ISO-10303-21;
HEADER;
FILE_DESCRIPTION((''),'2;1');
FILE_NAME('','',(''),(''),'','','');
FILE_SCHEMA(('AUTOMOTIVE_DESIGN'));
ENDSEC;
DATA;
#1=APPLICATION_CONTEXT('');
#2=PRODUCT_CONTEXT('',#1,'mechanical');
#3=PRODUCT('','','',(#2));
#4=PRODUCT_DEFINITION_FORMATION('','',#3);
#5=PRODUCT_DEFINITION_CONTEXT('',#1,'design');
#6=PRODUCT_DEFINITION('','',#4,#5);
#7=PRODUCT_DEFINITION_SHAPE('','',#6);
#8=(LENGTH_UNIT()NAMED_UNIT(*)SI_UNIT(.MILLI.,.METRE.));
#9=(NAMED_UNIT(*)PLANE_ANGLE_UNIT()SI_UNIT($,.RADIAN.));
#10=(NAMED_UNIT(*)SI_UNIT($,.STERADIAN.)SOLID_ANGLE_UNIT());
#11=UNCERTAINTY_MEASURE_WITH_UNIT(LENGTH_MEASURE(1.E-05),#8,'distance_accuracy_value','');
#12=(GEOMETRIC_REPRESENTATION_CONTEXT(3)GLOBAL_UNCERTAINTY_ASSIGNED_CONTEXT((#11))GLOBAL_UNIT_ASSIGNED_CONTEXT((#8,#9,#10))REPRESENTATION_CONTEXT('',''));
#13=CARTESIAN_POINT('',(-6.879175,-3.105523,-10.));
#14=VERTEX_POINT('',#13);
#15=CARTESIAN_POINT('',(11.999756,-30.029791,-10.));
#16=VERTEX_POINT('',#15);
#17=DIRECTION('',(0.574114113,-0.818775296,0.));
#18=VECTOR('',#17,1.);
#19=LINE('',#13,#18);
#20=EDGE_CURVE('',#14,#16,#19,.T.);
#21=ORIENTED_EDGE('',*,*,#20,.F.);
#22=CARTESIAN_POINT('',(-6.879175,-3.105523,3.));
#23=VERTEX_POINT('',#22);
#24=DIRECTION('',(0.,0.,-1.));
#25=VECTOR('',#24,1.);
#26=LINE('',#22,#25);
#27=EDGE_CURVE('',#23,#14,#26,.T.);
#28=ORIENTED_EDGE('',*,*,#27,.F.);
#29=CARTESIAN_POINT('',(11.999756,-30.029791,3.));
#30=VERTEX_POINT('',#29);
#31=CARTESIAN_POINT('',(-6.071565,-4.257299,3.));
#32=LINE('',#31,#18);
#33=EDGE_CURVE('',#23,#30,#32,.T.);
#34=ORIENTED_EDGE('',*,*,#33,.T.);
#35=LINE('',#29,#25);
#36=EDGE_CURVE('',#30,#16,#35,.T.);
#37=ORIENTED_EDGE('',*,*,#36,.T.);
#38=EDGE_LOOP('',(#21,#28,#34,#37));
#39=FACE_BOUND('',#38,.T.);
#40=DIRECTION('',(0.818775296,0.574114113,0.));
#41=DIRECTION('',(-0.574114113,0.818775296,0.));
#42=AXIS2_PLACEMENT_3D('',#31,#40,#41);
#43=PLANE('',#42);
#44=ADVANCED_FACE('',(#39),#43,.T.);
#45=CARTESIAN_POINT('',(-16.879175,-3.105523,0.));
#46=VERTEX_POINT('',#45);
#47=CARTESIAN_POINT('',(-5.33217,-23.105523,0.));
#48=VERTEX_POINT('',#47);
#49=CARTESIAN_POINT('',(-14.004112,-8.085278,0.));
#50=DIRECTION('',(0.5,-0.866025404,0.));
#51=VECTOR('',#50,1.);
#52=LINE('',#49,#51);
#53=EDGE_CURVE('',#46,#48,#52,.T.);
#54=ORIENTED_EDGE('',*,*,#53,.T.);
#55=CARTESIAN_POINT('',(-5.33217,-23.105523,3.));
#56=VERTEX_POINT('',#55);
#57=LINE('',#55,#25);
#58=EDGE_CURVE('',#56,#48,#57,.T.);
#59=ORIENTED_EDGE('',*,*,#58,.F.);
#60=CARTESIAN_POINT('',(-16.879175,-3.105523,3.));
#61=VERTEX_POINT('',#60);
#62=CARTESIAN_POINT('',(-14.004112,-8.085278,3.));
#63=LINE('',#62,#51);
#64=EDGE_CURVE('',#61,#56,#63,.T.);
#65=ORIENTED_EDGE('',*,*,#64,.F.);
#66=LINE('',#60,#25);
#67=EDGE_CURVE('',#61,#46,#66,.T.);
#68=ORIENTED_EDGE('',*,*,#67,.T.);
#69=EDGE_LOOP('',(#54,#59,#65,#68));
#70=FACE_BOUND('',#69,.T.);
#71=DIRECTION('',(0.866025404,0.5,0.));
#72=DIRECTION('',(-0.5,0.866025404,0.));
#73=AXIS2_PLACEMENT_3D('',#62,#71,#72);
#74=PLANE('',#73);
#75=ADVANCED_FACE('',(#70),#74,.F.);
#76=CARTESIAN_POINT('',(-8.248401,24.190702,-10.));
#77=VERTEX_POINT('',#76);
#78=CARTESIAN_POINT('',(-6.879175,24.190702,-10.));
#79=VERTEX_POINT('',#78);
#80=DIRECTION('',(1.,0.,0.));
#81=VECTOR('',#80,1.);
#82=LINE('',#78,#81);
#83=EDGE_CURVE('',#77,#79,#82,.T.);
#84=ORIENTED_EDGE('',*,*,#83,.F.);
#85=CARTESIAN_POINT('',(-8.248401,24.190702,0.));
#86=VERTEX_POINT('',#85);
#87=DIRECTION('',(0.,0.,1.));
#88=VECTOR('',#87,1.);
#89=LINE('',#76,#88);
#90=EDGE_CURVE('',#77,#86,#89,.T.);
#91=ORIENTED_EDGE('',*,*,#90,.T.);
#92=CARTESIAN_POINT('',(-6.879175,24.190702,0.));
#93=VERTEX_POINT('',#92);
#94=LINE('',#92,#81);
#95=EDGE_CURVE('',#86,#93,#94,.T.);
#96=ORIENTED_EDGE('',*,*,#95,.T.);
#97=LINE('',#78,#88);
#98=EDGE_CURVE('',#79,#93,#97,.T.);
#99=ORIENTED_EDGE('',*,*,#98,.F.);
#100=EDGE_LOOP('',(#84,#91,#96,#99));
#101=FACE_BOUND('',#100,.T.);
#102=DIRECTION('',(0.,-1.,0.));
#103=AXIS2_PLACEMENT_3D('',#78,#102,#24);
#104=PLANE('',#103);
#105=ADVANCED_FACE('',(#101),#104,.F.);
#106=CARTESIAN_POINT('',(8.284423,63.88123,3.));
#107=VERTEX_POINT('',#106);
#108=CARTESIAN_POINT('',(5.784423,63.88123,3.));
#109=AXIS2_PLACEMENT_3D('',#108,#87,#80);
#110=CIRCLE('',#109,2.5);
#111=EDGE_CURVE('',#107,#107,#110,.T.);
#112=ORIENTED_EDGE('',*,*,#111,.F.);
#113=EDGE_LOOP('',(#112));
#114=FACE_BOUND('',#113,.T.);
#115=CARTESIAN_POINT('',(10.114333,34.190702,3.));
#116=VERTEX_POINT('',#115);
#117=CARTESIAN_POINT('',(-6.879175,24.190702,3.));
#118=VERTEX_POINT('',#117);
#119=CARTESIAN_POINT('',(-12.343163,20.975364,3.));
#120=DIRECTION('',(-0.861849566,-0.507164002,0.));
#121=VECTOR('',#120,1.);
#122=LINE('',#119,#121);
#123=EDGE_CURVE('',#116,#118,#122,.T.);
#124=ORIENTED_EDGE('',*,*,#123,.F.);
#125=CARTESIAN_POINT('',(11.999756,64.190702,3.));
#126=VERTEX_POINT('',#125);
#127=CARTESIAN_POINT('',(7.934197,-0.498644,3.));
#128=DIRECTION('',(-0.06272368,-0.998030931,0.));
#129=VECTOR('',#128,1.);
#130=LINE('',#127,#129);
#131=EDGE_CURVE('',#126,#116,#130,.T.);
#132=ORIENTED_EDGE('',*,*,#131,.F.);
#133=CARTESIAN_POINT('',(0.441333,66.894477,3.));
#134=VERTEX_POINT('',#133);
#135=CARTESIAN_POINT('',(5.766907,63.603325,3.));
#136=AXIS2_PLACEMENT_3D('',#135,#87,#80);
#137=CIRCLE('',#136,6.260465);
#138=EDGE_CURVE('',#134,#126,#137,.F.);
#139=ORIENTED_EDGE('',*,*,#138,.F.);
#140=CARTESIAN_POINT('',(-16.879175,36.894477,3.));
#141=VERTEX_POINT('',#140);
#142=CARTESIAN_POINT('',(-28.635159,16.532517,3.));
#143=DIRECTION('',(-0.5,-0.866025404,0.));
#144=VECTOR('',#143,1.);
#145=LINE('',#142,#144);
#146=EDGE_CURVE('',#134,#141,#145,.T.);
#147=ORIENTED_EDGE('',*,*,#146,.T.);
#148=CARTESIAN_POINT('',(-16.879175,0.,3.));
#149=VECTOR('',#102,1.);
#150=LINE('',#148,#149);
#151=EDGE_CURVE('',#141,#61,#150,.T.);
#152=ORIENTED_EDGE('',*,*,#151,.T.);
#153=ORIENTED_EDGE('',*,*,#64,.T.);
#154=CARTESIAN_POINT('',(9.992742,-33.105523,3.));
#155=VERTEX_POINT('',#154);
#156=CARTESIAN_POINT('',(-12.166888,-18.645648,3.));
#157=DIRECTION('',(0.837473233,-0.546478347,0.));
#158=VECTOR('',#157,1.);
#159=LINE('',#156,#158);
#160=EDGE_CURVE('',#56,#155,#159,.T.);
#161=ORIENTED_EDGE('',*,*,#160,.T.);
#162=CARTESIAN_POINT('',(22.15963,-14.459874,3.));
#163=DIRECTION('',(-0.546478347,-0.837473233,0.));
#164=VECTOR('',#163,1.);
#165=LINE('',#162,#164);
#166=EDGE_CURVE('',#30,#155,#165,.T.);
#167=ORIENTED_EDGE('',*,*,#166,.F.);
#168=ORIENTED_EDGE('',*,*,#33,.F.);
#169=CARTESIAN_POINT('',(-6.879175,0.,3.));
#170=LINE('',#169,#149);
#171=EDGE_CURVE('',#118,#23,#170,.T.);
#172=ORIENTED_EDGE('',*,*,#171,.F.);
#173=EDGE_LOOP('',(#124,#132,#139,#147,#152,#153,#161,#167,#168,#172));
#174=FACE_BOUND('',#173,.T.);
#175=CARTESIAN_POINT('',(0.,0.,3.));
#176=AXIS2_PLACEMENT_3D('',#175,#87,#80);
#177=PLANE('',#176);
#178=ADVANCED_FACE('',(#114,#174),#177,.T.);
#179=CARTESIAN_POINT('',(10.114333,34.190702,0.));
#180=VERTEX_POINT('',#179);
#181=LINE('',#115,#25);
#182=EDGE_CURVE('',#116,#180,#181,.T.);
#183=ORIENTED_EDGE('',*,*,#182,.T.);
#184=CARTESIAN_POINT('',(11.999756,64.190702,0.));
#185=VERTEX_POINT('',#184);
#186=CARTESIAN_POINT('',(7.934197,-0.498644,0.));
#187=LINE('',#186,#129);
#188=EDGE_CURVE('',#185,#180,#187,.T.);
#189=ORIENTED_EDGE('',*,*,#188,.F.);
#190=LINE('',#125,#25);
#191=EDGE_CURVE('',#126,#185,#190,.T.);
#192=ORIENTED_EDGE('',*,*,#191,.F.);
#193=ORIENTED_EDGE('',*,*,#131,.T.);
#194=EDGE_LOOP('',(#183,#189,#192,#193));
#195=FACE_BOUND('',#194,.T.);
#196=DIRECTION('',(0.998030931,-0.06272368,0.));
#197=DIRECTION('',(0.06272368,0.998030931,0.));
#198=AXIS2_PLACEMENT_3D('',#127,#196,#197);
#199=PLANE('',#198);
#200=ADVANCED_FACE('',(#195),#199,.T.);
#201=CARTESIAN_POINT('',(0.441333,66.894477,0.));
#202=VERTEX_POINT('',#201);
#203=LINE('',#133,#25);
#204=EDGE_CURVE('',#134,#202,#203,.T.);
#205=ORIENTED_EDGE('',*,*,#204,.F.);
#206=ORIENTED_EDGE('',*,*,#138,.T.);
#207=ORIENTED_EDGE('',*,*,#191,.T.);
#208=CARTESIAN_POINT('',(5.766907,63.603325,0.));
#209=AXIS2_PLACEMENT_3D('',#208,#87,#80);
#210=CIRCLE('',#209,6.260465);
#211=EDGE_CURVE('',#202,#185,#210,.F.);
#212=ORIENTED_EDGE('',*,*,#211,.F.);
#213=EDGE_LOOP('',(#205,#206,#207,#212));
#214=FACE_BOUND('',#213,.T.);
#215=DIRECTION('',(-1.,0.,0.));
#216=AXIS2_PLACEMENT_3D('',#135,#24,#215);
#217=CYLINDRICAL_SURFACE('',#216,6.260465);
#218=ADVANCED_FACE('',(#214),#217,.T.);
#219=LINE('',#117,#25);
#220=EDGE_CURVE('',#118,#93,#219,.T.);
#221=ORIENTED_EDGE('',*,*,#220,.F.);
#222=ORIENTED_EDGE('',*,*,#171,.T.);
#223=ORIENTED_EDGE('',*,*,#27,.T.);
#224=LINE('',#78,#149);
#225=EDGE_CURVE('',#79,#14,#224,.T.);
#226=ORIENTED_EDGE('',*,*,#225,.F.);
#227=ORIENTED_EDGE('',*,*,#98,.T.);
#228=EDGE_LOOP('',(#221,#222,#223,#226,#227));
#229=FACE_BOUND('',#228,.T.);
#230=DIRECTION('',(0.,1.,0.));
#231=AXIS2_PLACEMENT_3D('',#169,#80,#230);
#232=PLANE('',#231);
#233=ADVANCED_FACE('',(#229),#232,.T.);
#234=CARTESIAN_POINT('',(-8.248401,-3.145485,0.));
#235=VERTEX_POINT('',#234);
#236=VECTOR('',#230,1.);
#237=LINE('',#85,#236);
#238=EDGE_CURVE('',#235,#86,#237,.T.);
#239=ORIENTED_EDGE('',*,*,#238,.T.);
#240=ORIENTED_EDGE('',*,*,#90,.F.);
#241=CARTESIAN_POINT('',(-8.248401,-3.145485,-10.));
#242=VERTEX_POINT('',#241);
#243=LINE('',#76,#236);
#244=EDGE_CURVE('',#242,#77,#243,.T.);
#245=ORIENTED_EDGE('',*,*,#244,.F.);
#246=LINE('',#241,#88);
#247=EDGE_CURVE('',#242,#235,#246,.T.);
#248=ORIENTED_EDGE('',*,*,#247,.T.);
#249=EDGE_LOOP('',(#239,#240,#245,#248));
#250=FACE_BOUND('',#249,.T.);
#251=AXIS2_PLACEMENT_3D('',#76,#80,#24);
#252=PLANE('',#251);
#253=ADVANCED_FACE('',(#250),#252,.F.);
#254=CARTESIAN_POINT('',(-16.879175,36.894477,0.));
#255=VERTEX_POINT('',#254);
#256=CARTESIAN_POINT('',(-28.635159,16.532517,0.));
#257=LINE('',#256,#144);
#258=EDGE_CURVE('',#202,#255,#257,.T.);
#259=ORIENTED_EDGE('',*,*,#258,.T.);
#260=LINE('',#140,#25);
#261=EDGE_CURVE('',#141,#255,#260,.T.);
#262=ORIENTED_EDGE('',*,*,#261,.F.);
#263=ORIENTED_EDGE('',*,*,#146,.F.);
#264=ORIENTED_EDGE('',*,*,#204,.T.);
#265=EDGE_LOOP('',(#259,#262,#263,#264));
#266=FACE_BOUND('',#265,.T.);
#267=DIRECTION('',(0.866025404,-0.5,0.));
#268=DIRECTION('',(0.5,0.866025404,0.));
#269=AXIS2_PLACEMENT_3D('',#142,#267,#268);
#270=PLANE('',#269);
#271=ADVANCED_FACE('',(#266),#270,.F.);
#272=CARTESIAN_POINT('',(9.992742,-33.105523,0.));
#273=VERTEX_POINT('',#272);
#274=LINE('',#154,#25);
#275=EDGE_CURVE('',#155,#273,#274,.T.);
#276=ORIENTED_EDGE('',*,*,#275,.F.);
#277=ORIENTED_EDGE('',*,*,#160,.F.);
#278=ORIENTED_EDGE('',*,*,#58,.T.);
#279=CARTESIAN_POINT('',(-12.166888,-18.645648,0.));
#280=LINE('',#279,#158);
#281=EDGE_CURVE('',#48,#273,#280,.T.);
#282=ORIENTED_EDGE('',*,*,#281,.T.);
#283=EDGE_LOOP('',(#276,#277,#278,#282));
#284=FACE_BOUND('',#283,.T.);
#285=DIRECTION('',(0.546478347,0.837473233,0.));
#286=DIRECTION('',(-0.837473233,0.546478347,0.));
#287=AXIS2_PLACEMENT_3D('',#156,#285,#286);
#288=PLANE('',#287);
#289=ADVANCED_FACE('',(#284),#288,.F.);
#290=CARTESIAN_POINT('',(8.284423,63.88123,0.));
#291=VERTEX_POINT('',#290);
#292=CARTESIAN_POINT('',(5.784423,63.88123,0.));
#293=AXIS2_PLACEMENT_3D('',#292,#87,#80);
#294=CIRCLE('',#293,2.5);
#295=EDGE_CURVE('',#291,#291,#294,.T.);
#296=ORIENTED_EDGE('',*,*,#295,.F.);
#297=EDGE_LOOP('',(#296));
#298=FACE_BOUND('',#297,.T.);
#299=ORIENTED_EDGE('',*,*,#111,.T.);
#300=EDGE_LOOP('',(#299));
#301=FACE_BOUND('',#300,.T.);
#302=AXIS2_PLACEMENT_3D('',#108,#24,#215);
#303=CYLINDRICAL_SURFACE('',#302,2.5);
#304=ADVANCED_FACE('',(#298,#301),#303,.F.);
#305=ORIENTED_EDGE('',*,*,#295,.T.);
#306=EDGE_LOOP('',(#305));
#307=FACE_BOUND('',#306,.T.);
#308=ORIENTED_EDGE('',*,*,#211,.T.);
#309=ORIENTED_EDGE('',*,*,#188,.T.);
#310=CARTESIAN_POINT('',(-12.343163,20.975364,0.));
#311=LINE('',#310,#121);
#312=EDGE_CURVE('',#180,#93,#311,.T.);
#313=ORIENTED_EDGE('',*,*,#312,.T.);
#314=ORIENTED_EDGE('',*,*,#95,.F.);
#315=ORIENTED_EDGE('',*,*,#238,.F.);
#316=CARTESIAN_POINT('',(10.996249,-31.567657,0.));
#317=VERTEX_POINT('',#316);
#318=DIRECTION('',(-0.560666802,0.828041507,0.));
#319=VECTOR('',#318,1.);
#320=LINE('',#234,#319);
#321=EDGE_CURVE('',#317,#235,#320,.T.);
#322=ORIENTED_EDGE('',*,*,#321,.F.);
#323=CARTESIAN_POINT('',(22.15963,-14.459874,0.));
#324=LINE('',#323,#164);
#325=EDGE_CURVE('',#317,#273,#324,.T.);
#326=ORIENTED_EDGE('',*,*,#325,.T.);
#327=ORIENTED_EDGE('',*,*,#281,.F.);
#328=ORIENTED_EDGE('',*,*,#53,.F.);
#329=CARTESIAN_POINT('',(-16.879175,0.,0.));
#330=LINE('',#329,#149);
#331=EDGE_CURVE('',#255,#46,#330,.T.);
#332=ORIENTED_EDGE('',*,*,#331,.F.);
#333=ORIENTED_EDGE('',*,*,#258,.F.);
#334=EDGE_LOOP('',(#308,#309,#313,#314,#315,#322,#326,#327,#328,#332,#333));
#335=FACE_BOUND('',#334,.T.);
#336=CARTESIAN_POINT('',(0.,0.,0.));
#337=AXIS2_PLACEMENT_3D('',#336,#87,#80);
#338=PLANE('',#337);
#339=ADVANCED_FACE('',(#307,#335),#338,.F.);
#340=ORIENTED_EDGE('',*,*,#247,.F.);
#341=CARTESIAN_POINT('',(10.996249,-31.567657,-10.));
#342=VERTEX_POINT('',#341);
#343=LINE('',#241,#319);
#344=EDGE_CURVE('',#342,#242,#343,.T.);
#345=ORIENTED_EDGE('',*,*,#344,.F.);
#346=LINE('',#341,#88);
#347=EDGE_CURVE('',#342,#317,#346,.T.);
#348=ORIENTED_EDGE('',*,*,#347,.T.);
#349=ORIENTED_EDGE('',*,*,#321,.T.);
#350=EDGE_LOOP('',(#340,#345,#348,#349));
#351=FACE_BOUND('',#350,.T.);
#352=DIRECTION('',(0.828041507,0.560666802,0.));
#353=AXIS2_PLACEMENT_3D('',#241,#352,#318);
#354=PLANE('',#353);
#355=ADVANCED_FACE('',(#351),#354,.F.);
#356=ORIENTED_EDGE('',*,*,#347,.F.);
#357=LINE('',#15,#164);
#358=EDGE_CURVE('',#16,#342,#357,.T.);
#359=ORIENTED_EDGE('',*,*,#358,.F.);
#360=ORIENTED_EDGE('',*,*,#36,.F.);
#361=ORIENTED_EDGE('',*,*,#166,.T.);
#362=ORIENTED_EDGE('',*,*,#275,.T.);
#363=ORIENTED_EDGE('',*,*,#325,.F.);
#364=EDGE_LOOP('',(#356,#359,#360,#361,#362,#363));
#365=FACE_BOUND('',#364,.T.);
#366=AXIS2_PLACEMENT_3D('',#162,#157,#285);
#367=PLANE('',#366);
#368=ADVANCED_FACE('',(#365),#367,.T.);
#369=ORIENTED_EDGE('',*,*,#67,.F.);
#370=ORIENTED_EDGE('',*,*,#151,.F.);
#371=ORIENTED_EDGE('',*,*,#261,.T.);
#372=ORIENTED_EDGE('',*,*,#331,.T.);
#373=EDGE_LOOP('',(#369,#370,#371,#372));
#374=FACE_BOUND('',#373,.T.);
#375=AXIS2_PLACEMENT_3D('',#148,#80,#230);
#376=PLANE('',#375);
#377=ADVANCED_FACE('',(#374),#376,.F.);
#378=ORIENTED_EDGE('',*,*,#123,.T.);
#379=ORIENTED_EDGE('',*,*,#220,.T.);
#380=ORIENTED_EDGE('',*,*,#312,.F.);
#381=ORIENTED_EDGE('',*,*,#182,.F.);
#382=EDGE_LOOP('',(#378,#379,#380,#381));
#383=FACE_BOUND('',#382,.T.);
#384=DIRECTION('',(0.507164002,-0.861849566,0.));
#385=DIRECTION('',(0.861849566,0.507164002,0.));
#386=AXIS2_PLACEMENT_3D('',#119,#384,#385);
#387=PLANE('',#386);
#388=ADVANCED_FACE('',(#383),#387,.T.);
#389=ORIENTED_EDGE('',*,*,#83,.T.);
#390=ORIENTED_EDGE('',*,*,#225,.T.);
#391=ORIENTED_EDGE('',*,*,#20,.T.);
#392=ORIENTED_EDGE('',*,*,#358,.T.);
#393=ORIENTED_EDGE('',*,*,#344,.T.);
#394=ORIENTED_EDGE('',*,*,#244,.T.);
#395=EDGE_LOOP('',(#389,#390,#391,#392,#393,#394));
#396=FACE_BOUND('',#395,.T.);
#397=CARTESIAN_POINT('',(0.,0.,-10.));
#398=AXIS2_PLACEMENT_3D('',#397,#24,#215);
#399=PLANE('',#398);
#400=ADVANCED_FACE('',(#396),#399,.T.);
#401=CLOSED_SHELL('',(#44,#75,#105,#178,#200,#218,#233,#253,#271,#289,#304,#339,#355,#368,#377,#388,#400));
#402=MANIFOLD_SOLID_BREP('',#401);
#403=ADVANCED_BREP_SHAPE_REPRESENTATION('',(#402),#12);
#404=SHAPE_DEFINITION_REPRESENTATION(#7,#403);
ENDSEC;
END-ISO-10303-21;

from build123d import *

# Parameters (mm, degrees)
EXTRUDE_4_DEPTH     = 3
SKETCH_2_R          = 2.5
CUT_EXTRUDE_1_DEPTH = 72.936469634
EXTRUDE_6_DEPTH     = 10


with BuildPart() as part:
    # 草图1 → 凸台-拉伸4 (new body)
    with BuildSketch(Plane.XY):
        with BuildLine():
            ThreePointArc((11.999755772, 64.190702015), (7.19287537, 69.699227744), (0.441332655, 66.894477154))
            Line((0.441332655, 66.894477154), (-16.87917542, 36.894477154))
            Line((-16.87917542, 36.894477154), (-16.87917542, -3.105522846))
            Line((-16.87917542, -3.105522846), (-5.332170037, -23.105522846))
            Line((-5.332170037, -23.105522846), (9.992741519, -33.105522846))
            Line((9.992741519, -33.105522846), (11.999755772, -30.029791253))
            Line((11.999755772, -30.029791253), (-6.87917542, -3.105522846))
            Line((-6.87917542, -3.105522846), (-6.87917542, 14.190702015))
            Line((-6.87917542, 14.190702015), (-6.87917542, 24.190702015))
            Line((-6.87917542, 24.190702015), (10.114332844, 34.190702015))
            Line((10.114332844, 34.190702015), (11.999755772, 64.190702015))
        make_face()
    extrude(amount=EXTRUDE_4_DEPTH)

    # 草图2 → 切除-拉伸1 (cut, through all)
    with BuildSketch(Plane.XY):
        with Locations((5.784422652, 63.881230161)):
            Circle(SKETCH_2_R)
    extrude(amount=CUT_EXTRUDE_1_DEPTH, mode=Mode.SUBTRACT)

    # 草图6 → 凸台-拉伸6 (add)
    with BuildSketch(Plane(origin=(0, 0, 0), x_dir=(-1, 0, 0), z_dir=(0, 0, -1))):
        Polygon((6.87917542, 24.190702015), (8.248400541, 24.190702015), (8.248400541, -3.145484966), (-10.996248645, -31.567657049), (-11.999755772, -30.029791253), (6.87917542, -3.105522846), align=None)
    extrude(amount=EXTRUDE_6_DEPTH)


solid = part.part
